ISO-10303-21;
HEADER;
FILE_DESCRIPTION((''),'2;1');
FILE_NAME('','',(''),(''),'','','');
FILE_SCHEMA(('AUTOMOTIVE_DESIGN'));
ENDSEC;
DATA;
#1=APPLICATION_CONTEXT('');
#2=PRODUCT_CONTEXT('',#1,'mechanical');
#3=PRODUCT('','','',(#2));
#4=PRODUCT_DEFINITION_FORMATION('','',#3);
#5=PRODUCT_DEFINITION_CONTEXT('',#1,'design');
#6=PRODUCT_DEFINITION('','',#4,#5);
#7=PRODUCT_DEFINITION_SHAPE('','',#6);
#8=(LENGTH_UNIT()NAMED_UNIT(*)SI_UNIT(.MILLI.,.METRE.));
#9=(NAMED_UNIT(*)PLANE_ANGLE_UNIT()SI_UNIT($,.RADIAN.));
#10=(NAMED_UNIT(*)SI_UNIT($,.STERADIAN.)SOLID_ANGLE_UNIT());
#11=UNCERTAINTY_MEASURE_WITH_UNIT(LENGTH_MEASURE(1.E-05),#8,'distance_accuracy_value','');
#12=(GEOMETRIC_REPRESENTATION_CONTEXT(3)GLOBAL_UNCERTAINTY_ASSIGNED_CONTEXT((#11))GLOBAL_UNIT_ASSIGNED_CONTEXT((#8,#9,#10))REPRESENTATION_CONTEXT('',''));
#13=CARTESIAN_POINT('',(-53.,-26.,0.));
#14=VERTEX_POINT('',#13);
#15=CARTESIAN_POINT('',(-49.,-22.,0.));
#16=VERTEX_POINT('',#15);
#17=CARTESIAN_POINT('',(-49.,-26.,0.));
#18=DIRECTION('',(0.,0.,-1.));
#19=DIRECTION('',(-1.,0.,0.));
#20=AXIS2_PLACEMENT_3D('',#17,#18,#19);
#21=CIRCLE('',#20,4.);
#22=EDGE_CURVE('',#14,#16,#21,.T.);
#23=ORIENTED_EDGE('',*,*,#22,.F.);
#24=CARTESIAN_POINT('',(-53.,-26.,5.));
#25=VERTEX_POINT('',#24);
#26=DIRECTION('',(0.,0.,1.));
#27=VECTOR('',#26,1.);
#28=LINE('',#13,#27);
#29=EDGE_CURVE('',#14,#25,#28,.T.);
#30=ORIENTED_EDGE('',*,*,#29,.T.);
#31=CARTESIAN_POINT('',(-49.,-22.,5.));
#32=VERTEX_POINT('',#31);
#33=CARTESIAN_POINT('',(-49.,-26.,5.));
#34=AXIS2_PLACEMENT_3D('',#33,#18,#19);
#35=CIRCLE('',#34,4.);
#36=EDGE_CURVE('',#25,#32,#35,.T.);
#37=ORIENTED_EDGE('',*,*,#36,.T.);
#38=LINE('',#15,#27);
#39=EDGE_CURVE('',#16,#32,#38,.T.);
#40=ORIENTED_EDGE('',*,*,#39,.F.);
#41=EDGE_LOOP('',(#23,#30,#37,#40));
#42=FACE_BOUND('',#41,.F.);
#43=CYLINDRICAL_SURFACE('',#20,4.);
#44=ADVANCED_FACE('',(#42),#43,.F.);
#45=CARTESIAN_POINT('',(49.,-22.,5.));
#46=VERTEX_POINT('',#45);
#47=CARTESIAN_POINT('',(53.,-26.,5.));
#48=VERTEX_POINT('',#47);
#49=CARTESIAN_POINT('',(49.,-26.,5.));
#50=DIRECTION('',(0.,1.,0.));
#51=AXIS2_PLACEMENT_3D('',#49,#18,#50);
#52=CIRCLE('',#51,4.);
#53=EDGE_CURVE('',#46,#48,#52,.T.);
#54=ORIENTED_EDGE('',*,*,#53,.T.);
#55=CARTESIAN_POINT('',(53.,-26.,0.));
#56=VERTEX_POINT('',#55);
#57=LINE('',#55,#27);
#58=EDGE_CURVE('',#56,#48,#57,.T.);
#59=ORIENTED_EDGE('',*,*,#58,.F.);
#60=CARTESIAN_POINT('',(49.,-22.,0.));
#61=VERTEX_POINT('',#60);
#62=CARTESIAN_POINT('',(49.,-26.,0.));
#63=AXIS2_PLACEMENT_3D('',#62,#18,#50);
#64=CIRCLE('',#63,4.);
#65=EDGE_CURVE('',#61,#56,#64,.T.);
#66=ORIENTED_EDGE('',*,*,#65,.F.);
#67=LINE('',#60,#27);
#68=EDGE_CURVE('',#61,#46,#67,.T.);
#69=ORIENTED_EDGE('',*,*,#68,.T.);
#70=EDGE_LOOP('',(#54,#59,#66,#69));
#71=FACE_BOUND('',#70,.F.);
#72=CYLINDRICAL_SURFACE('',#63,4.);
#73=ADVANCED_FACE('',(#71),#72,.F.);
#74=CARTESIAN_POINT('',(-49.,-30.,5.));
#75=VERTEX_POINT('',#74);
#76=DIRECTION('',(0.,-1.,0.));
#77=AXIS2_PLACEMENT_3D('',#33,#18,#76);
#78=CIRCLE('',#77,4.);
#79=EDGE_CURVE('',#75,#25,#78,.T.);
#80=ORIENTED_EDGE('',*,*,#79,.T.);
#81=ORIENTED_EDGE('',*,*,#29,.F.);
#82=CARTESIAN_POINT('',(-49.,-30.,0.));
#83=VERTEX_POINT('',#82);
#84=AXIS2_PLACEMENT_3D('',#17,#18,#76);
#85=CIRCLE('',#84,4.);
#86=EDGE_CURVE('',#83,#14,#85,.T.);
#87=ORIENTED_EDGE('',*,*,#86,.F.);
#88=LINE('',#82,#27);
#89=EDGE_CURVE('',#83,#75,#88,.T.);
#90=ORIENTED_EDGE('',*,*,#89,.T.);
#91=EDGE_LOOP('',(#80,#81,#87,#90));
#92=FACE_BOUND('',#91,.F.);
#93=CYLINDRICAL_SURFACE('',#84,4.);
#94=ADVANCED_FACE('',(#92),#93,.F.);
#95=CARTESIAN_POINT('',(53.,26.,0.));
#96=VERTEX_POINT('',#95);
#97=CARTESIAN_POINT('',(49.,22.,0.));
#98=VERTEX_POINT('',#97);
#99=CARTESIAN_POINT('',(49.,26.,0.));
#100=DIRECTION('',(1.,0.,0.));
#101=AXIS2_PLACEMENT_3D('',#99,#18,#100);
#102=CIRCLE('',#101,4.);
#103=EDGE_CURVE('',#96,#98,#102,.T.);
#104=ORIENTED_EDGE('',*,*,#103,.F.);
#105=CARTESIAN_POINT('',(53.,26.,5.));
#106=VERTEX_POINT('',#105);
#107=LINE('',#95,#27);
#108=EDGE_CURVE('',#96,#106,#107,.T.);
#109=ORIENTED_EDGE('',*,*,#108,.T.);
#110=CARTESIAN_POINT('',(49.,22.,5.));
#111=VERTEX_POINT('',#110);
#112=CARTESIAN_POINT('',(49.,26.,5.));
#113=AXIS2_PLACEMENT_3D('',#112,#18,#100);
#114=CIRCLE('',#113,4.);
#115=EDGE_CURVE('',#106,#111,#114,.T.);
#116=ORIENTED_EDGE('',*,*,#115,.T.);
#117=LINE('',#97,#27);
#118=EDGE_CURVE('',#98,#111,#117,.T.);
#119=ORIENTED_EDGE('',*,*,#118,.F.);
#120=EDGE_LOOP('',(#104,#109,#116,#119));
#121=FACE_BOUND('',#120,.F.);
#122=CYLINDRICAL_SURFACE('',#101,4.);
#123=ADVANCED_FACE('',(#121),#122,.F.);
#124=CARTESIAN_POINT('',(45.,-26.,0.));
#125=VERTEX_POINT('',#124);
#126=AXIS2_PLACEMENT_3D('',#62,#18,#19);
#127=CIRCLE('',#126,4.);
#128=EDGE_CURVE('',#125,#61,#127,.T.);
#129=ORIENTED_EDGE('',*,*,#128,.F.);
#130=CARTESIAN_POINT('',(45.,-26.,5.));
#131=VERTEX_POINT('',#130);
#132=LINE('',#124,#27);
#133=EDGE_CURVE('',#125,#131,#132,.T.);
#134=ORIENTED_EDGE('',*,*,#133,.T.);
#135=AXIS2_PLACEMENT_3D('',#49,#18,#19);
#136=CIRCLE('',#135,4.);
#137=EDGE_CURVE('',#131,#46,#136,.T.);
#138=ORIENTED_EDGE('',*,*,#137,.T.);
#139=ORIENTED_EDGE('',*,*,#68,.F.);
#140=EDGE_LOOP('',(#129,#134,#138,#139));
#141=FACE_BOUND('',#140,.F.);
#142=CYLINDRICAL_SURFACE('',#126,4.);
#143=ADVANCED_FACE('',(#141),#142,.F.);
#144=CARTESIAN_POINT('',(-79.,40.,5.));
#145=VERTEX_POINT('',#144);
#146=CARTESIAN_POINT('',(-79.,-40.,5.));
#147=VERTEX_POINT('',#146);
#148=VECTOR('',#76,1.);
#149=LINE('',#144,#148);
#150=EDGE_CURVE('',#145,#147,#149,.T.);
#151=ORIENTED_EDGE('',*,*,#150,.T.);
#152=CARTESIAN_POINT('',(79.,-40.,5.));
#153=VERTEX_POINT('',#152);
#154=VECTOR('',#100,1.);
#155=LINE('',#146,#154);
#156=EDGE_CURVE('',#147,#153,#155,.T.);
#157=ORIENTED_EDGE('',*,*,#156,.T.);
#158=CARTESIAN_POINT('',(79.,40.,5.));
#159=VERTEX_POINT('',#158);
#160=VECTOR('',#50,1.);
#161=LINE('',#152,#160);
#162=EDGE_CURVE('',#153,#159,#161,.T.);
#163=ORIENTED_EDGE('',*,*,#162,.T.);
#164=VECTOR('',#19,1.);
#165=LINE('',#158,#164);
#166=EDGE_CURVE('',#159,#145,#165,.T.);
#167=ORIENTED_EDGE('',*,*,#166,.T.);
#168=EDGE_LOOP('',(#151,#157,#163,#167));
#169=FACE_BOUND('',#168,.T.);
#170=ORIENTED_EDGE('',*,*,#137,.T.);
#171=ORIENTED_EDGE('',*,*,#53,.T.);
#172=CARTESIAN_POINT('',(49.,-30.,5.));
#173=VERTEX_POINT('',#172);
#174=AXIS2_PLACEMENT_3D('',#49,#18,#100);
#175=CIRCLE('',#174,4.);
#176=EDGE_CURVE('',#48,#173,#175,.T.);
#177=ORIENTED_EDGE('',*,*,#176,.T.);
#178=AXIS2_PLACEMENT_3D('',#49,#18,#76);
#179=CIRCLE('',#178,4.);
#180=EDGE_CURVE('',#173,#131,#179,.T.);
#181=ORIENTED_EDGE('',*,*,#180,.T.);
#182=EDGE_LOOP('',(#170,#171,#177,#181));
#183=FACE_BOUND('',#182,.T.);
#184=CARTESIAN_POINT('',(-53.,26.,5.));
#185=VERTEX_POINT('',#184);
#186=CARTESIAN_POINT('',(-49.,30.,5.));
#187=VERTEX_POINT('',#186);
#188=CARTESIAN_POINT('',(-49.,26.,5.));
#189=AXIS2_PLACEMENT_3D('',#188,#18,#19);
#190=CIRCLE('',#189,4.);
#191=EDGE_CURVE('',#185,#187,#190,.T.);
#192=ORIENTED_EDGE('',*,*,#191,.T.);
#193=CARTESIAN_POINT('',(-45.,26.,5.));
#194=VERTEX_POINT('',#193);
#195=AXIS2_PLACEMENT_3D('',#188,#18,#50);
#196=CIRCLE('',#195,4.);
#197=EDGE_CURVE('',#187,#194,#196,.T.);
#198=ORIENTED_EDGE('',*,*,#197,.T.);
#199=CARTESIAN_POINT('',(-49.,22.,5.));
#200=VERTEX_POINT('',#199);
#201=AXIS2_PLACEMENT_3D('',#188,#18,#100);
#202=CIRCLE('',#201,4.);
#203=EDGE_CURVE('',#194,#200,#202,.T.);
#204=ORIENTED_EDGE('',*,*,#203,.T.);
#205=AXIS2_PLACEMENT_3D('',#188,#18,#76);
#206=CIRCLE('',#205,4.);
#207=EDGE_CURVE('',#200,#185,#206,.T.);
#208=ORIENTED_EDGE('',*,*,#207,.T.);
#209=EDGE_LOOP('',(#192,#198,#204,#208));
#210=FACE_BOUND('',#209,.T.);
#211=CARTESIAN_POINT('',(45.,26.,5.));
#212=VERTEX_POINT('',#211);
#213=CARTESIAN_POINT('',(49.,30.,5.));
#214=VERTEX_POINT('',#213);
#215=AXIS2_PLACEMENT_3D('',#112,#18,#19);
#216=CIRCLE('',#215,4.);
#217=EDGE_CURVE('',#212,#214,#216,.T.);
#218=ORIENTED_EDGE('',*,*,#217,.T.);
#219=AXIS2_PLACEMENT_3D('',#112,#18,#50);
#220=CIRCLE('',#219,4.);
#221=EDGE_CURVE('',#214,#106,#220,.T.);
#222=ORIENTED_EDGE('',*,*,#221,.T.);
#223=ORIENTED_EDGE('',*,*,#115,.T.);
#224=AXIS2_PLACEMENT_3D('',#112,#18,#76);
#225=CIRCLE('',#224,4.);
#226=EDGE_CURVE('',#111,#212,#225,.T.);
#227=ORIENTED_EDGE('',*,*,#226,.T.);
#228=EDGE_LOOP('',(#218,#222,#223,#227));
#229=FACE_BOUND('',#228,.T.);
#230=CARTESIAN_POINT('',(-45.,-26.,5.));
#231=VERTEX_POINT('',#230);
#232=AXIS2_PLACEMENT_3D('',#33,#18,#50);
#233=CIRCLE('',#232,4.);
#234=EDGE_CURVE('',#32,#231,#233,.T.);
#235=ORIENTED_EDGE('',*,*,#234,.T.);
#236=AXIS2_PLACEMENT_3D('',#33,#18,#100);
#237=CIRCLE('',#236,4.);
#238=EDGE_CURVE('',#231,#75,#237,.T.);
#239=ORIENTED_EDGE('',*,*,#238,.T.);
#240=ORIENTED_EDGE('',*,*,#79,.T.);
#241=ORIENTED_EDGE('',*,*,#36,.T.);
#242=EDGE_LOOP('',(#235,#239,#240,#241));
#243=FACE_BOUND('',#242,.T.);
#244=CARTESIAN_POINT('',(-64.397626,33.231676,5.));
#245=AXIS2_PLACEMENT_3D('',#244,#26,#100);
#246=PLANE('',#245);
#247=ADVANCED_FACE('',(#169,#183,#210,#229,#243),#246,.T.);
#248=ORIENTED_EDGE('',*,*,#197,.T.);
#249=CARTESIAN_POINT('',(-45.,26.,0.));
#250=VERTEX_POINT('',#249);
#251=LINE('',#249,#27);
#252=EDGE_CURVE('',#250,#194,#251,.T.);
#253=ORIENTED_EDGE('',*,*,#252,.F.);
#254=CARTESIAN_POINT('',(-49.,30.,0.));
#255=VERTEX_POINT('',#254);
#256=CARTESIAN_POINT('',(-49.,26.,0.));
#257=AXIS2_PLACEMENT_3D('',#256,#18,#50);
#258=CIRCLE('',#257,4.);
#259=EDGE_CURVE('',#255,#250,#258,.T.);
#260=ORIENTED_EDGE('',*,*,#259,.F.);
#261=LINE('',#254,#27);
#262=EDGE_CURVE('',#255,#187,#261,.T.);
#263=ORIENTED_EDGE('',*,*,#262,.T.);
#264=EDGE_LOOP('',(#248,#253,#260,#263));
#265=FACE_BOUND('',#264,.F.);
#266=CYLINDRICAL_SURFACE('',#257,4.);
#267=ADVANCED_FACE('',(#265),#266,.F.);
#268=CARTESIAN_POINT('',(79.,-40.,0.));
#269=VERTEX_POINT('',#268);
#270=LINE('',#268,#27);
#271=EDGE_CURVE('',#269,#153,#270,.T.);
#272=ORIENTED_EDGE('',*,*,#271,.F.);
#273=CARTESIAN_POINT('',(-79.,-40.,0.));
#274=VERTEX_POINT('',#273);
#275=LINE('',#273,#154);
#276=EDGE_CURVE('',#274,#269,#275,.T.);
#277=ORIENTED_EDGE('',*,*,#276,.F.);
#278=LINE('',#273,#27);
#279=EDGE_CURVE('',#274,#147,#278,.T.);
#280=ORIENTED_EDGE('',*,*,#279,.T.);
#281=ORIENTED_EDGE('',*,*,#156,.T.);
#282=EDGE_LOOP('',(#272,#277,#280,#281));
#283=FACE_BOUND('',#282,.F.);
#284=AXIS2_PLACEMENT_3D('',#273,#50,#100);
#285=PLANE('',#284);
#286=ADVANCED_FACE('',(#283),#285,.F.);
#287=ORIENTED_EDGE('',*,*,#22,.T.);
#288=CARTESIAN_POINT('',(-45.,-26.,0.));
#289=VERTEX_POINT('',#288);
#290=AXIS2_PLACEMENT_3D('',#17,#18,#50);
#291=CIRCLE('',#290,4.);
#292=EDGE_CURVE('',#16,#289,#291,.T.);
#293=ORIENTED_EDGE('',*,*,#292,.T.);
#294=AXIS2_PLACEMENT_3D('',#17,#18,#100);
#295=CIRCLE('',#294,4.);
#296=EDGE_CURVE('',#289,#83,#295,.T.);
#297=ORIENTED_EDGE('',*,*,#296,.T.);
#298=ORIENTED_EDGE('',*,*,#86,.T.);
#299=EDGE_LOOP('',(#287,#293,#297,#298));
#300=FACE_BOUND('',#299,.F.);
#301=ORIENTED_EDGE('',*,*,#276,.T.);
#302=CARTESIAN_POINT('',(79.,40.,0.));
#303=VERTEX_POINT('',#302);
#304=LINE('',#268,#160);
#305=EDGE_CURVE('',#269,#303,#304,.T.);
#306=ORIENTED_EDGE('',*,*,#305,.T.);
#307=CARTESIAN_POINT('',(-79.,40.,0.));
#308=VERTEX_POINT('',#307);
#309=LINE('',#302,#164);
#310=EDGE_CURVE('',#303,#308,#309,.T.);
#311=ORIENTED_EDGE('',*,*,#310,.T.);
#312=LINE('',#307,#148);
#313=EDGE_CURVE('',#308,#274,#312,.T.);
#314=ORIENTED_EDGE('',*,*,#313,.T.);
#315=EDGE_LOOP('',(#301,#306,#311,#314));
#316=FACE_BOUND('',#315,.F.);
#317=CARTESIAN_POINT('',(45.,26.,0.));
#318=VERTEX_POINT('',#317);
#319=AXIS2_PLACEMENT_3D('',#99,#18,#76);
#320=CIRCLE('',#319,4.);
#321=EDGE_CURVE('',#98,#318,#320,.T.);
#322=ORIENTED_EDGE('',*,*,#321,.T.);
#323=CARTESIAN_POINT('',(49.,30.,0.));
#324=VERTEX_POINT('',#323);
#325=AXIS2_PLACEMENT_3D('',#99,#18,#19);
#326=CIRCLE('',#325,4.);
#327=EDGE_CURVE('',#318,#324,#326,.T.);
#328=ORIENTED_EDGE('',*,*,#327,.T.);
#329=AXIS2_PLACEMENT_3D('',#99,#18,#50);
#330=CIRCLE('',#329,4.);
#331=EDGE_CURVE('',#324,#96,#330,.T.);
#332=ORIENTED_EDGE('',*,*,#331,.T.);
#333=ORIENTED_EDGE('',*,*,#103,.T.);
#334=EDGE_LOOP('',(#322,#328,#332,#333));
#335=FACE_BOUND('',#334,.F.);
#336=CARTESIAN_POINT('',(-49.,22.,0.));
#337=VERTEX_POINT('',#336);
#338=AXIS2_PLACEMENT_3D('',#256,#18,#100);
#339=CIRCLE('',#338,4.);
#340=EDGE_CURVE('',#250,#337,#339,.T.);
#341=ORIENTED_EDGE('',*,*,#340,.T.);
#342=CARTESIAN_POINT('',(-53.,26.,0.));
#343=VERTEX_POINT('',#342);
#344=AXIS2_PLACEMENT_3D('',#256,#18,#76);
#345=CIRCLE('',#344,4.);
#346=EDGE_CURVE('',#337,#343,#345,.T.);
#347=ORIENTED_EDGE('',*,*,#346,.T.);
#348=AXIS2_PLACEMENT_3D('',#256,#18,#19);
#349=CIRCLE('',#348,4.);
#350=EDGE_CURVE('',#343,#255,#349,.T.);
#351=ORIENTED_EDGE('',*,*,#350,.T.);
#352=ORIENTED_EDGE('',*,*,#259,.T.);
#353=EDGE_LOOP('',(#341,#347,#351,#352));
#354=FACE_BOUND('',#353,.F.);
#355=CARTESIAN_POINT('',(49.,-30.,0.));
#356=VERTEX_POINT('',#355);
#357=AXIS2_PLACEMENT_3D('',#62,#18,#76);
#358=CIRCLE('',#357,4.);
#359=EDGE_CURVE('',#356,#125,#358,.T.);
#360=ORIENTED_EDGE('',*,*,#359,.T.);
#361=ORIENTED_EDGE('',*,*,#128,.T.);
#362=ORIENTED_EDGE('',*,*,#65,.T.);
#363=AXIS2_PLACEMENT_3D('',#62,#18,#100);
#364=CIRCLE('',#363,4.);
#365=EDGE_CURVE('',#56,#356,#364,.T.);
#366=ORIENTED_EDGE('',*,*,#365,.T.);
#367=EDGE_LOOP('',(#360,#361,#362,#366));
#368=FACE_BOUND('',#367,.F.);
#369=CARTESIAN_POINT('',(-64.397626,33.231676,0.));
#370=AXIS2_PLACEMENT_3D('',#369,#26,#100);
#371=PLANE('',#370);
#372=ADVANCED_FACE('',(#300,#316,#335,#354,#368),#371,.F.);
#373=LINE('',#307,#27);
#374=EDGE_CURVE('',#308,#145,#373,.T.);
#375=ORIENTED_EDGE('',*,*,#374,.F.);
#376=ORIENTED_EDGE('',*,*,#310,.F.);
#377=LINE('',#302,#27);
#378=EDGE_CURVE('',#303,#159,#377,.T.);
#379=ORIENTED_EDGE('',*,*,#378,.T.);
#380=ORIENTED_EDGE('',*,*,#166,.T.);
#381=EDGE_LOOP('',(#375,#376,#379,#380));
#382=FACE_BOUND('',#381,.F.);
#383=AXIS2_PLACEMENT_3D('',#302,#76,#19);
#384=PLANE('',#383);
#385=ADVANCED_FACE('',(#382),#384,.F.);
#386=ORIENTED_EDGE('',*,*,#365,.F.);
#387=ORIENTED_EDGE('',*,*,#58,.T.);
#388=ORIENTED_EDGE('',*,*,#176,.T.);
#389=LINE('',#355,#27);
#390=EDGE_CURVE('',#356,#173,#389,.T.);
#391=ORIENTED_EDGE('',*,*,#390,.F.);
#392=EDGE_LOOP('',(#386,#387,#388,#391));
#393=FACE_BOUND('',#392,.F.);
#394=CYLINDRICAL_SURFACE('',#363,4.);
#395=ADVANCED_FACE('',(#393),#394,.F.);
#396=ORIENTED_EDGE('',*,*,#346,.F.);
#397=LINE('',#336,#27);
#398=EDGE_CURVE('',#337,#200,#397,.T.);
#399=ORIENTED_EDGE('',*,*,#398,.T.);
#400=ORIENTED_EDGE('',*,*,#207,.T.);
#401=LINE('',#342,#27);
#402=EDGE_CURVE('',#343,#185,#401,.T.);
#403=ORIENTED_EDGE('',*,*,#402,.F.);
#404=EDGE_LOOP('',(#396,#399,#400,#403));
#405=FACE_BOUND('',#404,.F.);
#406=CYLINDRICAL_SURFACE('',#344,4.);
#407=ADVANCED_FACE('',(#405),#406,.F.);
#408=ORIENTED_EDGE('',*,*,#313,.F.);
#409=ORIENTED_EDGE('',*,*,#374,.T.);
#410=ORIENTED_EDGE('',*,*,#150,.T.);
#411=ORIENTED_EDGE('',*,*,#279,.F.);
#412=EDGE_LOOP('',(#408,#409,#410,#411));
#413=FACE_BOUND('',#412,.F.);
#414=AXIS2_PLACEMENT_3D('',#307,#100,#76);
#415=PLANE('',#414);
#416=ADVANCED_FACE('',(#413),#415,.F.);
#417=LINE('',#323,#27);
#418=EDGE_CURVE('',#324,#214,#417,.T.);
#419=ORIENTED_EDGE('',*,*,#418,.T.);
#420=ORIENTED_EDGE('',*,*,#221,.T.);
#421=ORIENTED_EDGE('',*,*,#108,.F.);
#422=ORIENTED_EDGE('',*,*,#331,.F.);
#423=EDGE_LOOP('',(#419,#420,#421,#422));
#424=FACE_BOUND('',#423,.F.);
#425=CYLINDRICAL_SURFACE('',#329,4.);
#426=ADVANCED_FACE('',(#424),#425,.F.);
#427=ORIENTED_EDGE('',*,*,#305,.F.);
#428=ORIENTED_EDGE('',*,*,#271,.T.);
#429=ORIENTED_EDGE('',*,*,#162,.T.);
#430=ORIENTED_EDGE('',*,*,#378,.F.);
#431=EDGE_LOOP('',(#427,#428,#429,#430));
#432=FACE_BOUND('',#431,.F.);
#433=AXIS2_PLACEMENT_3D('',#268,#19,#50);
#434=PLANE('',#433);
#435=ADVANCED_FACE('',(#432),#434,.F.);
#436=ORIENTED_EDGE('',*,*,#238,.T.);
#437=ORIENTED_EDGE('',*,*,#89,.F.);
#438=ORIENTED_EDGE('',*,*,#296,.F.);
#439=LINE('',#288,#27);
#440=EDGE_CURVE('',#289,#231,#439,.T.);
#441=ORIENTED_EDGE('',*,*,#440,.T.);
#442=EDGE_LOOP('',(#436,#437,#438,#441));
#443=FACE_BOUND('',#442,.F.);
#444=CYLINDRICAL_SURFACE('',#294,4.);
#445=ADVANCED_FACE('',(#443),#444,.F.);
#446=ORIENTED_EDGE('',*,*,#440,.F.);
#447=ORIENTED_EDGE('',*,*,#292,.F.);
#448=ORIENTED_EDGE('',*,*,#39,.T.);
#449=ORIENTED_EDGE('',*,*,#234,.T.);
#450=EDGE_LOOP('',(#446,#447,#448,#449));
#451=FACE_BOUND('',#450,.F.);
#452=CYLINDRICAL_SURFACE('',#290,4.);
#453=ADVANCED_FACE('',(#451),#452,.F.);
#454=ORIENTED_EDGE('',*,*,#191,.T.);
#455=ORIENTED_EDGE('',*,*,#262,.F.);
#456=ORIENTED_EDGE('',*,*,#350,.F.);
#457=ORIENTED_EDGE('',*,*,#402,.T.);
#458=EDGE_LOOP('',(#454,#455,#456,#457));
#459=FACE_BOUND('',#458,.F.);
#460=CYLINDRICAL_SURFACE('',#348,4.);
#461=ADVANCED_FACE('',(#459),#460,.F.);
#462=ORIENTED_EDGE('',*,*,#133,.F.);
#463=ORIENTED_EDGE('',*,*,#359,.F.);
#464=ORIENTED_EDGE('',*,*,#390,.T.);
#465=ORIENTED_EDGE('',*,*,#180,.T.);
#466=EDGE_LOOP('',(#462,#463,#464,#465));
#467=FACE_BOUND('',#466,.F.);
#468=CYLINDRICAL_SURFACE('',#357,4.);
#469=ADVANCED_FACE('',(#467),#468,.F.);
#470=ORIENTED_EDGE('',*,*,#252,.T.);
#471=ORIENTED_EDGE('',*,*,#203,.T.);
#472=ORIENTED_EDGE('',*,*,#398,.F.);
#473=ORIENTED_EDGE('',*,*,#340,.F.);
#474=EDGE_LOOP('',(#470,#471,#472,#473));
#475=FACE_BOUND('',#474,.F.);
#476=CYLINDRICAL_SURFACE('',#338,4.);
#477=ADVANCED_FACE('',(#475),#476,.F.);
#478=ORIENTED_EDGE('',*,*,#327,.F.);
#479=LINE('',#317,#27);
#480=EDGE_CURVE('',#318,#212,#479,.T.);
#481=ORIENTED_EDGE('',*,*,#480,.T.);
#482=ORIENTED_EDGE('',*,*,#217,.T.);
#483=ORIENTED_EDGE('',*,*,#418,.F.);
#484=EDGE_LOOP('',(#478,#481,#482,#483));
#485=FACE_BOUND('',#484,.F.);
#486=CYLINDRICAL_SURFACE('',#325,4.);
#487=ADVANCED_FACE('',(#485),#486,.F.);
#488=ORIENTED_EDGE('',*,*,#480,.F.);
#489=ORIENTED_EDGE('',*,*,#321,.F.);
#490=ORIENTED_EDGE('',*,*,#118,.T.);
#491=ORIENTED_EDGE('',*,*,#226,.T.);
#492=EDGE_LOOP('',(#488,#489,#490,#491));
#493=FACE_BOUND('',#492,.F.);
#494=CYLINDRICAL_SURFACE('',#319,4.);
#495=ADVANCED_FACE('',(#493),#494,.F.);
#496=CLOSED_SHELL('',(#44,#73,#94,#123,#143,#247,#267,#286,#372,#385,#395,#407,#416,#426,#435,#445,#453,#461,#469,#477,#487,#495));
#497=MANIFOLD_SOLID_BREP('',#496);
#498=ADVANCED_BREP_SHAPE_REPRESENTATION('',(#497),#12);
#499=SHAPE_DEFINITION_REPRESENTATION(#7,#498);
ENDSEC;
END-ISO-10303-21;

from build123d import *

# Parameters (mm, degrees)
F1_DEPTH = 5


with BuildPart() as f1:
    # F0 (on Top) → F1 (new body)
    with BuildSketch(Plane.XY):
        with BuildLine():
            Line((-79, 40), (-79, 26))
            Line((-79, 26), (-53, 26))
            ThreePointArc((-53, 26), (-51.8284271247, 28.8284271247), (-49, 30))
            Line((-49, 30), (-49, 40))
            Line((-49, 40), (-79, 40))
        make_face()
        with BuildLine():
            Line((-79, 26), (-79, -26))
            Line((-79, -26), (-53, -26))
            ThreePointArc((-53, -26), (-51.8284271247, -23.1715728753), (-49, -22))
            Line((-49, -22), (-49, 22))
            ThreePointArc((-49, 22), (-51.8284271247, 23.1715728753), (-53, 26))
            Line((-53, 26), (-79, 26))
        make_face()
        with BuildLine():
            Line((-45, -26), (45, -26))
            ThreePointArc((45, -26), (46.1715728753, -23.1715728753), (49, -22))
            Line((49, -22), (49, 22))
            ThreePointArc((49, 22), (46.1715728753, 23.1715728753), (45, 26))
            Line((45, 26), (-45, 26))
            ThreePointArc((-45, 26), (-46.1715728753, 23.1715728753), (-49, 22))
            Line((-49, 22), (-49, -22))
            ThreePointArc((-49, -22), (-46.1715728753, -23.1715728753), (-45, -26))
        make_face()
        with BuildLine():
            Line((49, 30), (49, 40))
            Line((49, 40), (-49, 40))
            Line((-49, 40), (-49, 30))
            ThreePointArc((-49, 30), (-46.1715728753, 28.8284271247), (-45, 26))
            Line((-45, 26), (45, 26))
            ThreePointArc((45, 26), (46.1715728753, 28.8284271247), (49, 30))
        make_face()
        with BuildLine():
            Line((53, 26), (79, 26))
            Line((79, 26), (79, 40))
            Line((79, 40), (49, 40))
            Line((49, 40), (49, 30))
            ThreePointArc((49, 30), (51.8284271247, 28.8284271247), (53, 26))
        make_face()
        with BuildLine():
            Line((53, -26), (79, -26))
            Line((79, -26), (79, 26))
            Line((79, 26), (53, 26))
            ThreePointArc((53, 26), (51.8284271247, 23.1715728753), (49, 22))
            Line((49, 22), (49, -22))
            ThreePointArc((49, -22), (51.8284271247, -23.1715728753), (53, -26))
        make_face()
        with BuildLine():
            Line((49, -40), (79, -40))
            Line((79, -40), (79, -26))
            Line((79, -26), (53, -26))
            ThreePointArc((53, -26), (51.8284271247, -28.8284271247), (49, -30))
            Line((49, -30), (49, -40))
        make_face()
        with BuildLine():
            Line((-49, -40), (49, -40))
            Line((49, -40), (49, -30))
            ThreePointArc((49, -30), (46.1715728753, -28.8284271247), (45, -26))
            Line((45, -26), (-45, -26))
            ThreePointArc((-45, -26), (-46.1715728753, -28.8284271247), (-49, -30))
            Line((-49, -30), (-49, -40))
        make_face()
        with BuildLine():
            Line((-79, -40), (-49, -40))
            Line((-49, -40), (-49, -30))
            ThreePointArc((-49, -30), (-51.8284271247, -28.8284271247), (-53, -26))
            Line((-53, -26), (-79, -26))
            Line((-79, -26), (-79, -40))
        make_face()
    extrude(amount=F1_DEPTH)


solid = f1.part
